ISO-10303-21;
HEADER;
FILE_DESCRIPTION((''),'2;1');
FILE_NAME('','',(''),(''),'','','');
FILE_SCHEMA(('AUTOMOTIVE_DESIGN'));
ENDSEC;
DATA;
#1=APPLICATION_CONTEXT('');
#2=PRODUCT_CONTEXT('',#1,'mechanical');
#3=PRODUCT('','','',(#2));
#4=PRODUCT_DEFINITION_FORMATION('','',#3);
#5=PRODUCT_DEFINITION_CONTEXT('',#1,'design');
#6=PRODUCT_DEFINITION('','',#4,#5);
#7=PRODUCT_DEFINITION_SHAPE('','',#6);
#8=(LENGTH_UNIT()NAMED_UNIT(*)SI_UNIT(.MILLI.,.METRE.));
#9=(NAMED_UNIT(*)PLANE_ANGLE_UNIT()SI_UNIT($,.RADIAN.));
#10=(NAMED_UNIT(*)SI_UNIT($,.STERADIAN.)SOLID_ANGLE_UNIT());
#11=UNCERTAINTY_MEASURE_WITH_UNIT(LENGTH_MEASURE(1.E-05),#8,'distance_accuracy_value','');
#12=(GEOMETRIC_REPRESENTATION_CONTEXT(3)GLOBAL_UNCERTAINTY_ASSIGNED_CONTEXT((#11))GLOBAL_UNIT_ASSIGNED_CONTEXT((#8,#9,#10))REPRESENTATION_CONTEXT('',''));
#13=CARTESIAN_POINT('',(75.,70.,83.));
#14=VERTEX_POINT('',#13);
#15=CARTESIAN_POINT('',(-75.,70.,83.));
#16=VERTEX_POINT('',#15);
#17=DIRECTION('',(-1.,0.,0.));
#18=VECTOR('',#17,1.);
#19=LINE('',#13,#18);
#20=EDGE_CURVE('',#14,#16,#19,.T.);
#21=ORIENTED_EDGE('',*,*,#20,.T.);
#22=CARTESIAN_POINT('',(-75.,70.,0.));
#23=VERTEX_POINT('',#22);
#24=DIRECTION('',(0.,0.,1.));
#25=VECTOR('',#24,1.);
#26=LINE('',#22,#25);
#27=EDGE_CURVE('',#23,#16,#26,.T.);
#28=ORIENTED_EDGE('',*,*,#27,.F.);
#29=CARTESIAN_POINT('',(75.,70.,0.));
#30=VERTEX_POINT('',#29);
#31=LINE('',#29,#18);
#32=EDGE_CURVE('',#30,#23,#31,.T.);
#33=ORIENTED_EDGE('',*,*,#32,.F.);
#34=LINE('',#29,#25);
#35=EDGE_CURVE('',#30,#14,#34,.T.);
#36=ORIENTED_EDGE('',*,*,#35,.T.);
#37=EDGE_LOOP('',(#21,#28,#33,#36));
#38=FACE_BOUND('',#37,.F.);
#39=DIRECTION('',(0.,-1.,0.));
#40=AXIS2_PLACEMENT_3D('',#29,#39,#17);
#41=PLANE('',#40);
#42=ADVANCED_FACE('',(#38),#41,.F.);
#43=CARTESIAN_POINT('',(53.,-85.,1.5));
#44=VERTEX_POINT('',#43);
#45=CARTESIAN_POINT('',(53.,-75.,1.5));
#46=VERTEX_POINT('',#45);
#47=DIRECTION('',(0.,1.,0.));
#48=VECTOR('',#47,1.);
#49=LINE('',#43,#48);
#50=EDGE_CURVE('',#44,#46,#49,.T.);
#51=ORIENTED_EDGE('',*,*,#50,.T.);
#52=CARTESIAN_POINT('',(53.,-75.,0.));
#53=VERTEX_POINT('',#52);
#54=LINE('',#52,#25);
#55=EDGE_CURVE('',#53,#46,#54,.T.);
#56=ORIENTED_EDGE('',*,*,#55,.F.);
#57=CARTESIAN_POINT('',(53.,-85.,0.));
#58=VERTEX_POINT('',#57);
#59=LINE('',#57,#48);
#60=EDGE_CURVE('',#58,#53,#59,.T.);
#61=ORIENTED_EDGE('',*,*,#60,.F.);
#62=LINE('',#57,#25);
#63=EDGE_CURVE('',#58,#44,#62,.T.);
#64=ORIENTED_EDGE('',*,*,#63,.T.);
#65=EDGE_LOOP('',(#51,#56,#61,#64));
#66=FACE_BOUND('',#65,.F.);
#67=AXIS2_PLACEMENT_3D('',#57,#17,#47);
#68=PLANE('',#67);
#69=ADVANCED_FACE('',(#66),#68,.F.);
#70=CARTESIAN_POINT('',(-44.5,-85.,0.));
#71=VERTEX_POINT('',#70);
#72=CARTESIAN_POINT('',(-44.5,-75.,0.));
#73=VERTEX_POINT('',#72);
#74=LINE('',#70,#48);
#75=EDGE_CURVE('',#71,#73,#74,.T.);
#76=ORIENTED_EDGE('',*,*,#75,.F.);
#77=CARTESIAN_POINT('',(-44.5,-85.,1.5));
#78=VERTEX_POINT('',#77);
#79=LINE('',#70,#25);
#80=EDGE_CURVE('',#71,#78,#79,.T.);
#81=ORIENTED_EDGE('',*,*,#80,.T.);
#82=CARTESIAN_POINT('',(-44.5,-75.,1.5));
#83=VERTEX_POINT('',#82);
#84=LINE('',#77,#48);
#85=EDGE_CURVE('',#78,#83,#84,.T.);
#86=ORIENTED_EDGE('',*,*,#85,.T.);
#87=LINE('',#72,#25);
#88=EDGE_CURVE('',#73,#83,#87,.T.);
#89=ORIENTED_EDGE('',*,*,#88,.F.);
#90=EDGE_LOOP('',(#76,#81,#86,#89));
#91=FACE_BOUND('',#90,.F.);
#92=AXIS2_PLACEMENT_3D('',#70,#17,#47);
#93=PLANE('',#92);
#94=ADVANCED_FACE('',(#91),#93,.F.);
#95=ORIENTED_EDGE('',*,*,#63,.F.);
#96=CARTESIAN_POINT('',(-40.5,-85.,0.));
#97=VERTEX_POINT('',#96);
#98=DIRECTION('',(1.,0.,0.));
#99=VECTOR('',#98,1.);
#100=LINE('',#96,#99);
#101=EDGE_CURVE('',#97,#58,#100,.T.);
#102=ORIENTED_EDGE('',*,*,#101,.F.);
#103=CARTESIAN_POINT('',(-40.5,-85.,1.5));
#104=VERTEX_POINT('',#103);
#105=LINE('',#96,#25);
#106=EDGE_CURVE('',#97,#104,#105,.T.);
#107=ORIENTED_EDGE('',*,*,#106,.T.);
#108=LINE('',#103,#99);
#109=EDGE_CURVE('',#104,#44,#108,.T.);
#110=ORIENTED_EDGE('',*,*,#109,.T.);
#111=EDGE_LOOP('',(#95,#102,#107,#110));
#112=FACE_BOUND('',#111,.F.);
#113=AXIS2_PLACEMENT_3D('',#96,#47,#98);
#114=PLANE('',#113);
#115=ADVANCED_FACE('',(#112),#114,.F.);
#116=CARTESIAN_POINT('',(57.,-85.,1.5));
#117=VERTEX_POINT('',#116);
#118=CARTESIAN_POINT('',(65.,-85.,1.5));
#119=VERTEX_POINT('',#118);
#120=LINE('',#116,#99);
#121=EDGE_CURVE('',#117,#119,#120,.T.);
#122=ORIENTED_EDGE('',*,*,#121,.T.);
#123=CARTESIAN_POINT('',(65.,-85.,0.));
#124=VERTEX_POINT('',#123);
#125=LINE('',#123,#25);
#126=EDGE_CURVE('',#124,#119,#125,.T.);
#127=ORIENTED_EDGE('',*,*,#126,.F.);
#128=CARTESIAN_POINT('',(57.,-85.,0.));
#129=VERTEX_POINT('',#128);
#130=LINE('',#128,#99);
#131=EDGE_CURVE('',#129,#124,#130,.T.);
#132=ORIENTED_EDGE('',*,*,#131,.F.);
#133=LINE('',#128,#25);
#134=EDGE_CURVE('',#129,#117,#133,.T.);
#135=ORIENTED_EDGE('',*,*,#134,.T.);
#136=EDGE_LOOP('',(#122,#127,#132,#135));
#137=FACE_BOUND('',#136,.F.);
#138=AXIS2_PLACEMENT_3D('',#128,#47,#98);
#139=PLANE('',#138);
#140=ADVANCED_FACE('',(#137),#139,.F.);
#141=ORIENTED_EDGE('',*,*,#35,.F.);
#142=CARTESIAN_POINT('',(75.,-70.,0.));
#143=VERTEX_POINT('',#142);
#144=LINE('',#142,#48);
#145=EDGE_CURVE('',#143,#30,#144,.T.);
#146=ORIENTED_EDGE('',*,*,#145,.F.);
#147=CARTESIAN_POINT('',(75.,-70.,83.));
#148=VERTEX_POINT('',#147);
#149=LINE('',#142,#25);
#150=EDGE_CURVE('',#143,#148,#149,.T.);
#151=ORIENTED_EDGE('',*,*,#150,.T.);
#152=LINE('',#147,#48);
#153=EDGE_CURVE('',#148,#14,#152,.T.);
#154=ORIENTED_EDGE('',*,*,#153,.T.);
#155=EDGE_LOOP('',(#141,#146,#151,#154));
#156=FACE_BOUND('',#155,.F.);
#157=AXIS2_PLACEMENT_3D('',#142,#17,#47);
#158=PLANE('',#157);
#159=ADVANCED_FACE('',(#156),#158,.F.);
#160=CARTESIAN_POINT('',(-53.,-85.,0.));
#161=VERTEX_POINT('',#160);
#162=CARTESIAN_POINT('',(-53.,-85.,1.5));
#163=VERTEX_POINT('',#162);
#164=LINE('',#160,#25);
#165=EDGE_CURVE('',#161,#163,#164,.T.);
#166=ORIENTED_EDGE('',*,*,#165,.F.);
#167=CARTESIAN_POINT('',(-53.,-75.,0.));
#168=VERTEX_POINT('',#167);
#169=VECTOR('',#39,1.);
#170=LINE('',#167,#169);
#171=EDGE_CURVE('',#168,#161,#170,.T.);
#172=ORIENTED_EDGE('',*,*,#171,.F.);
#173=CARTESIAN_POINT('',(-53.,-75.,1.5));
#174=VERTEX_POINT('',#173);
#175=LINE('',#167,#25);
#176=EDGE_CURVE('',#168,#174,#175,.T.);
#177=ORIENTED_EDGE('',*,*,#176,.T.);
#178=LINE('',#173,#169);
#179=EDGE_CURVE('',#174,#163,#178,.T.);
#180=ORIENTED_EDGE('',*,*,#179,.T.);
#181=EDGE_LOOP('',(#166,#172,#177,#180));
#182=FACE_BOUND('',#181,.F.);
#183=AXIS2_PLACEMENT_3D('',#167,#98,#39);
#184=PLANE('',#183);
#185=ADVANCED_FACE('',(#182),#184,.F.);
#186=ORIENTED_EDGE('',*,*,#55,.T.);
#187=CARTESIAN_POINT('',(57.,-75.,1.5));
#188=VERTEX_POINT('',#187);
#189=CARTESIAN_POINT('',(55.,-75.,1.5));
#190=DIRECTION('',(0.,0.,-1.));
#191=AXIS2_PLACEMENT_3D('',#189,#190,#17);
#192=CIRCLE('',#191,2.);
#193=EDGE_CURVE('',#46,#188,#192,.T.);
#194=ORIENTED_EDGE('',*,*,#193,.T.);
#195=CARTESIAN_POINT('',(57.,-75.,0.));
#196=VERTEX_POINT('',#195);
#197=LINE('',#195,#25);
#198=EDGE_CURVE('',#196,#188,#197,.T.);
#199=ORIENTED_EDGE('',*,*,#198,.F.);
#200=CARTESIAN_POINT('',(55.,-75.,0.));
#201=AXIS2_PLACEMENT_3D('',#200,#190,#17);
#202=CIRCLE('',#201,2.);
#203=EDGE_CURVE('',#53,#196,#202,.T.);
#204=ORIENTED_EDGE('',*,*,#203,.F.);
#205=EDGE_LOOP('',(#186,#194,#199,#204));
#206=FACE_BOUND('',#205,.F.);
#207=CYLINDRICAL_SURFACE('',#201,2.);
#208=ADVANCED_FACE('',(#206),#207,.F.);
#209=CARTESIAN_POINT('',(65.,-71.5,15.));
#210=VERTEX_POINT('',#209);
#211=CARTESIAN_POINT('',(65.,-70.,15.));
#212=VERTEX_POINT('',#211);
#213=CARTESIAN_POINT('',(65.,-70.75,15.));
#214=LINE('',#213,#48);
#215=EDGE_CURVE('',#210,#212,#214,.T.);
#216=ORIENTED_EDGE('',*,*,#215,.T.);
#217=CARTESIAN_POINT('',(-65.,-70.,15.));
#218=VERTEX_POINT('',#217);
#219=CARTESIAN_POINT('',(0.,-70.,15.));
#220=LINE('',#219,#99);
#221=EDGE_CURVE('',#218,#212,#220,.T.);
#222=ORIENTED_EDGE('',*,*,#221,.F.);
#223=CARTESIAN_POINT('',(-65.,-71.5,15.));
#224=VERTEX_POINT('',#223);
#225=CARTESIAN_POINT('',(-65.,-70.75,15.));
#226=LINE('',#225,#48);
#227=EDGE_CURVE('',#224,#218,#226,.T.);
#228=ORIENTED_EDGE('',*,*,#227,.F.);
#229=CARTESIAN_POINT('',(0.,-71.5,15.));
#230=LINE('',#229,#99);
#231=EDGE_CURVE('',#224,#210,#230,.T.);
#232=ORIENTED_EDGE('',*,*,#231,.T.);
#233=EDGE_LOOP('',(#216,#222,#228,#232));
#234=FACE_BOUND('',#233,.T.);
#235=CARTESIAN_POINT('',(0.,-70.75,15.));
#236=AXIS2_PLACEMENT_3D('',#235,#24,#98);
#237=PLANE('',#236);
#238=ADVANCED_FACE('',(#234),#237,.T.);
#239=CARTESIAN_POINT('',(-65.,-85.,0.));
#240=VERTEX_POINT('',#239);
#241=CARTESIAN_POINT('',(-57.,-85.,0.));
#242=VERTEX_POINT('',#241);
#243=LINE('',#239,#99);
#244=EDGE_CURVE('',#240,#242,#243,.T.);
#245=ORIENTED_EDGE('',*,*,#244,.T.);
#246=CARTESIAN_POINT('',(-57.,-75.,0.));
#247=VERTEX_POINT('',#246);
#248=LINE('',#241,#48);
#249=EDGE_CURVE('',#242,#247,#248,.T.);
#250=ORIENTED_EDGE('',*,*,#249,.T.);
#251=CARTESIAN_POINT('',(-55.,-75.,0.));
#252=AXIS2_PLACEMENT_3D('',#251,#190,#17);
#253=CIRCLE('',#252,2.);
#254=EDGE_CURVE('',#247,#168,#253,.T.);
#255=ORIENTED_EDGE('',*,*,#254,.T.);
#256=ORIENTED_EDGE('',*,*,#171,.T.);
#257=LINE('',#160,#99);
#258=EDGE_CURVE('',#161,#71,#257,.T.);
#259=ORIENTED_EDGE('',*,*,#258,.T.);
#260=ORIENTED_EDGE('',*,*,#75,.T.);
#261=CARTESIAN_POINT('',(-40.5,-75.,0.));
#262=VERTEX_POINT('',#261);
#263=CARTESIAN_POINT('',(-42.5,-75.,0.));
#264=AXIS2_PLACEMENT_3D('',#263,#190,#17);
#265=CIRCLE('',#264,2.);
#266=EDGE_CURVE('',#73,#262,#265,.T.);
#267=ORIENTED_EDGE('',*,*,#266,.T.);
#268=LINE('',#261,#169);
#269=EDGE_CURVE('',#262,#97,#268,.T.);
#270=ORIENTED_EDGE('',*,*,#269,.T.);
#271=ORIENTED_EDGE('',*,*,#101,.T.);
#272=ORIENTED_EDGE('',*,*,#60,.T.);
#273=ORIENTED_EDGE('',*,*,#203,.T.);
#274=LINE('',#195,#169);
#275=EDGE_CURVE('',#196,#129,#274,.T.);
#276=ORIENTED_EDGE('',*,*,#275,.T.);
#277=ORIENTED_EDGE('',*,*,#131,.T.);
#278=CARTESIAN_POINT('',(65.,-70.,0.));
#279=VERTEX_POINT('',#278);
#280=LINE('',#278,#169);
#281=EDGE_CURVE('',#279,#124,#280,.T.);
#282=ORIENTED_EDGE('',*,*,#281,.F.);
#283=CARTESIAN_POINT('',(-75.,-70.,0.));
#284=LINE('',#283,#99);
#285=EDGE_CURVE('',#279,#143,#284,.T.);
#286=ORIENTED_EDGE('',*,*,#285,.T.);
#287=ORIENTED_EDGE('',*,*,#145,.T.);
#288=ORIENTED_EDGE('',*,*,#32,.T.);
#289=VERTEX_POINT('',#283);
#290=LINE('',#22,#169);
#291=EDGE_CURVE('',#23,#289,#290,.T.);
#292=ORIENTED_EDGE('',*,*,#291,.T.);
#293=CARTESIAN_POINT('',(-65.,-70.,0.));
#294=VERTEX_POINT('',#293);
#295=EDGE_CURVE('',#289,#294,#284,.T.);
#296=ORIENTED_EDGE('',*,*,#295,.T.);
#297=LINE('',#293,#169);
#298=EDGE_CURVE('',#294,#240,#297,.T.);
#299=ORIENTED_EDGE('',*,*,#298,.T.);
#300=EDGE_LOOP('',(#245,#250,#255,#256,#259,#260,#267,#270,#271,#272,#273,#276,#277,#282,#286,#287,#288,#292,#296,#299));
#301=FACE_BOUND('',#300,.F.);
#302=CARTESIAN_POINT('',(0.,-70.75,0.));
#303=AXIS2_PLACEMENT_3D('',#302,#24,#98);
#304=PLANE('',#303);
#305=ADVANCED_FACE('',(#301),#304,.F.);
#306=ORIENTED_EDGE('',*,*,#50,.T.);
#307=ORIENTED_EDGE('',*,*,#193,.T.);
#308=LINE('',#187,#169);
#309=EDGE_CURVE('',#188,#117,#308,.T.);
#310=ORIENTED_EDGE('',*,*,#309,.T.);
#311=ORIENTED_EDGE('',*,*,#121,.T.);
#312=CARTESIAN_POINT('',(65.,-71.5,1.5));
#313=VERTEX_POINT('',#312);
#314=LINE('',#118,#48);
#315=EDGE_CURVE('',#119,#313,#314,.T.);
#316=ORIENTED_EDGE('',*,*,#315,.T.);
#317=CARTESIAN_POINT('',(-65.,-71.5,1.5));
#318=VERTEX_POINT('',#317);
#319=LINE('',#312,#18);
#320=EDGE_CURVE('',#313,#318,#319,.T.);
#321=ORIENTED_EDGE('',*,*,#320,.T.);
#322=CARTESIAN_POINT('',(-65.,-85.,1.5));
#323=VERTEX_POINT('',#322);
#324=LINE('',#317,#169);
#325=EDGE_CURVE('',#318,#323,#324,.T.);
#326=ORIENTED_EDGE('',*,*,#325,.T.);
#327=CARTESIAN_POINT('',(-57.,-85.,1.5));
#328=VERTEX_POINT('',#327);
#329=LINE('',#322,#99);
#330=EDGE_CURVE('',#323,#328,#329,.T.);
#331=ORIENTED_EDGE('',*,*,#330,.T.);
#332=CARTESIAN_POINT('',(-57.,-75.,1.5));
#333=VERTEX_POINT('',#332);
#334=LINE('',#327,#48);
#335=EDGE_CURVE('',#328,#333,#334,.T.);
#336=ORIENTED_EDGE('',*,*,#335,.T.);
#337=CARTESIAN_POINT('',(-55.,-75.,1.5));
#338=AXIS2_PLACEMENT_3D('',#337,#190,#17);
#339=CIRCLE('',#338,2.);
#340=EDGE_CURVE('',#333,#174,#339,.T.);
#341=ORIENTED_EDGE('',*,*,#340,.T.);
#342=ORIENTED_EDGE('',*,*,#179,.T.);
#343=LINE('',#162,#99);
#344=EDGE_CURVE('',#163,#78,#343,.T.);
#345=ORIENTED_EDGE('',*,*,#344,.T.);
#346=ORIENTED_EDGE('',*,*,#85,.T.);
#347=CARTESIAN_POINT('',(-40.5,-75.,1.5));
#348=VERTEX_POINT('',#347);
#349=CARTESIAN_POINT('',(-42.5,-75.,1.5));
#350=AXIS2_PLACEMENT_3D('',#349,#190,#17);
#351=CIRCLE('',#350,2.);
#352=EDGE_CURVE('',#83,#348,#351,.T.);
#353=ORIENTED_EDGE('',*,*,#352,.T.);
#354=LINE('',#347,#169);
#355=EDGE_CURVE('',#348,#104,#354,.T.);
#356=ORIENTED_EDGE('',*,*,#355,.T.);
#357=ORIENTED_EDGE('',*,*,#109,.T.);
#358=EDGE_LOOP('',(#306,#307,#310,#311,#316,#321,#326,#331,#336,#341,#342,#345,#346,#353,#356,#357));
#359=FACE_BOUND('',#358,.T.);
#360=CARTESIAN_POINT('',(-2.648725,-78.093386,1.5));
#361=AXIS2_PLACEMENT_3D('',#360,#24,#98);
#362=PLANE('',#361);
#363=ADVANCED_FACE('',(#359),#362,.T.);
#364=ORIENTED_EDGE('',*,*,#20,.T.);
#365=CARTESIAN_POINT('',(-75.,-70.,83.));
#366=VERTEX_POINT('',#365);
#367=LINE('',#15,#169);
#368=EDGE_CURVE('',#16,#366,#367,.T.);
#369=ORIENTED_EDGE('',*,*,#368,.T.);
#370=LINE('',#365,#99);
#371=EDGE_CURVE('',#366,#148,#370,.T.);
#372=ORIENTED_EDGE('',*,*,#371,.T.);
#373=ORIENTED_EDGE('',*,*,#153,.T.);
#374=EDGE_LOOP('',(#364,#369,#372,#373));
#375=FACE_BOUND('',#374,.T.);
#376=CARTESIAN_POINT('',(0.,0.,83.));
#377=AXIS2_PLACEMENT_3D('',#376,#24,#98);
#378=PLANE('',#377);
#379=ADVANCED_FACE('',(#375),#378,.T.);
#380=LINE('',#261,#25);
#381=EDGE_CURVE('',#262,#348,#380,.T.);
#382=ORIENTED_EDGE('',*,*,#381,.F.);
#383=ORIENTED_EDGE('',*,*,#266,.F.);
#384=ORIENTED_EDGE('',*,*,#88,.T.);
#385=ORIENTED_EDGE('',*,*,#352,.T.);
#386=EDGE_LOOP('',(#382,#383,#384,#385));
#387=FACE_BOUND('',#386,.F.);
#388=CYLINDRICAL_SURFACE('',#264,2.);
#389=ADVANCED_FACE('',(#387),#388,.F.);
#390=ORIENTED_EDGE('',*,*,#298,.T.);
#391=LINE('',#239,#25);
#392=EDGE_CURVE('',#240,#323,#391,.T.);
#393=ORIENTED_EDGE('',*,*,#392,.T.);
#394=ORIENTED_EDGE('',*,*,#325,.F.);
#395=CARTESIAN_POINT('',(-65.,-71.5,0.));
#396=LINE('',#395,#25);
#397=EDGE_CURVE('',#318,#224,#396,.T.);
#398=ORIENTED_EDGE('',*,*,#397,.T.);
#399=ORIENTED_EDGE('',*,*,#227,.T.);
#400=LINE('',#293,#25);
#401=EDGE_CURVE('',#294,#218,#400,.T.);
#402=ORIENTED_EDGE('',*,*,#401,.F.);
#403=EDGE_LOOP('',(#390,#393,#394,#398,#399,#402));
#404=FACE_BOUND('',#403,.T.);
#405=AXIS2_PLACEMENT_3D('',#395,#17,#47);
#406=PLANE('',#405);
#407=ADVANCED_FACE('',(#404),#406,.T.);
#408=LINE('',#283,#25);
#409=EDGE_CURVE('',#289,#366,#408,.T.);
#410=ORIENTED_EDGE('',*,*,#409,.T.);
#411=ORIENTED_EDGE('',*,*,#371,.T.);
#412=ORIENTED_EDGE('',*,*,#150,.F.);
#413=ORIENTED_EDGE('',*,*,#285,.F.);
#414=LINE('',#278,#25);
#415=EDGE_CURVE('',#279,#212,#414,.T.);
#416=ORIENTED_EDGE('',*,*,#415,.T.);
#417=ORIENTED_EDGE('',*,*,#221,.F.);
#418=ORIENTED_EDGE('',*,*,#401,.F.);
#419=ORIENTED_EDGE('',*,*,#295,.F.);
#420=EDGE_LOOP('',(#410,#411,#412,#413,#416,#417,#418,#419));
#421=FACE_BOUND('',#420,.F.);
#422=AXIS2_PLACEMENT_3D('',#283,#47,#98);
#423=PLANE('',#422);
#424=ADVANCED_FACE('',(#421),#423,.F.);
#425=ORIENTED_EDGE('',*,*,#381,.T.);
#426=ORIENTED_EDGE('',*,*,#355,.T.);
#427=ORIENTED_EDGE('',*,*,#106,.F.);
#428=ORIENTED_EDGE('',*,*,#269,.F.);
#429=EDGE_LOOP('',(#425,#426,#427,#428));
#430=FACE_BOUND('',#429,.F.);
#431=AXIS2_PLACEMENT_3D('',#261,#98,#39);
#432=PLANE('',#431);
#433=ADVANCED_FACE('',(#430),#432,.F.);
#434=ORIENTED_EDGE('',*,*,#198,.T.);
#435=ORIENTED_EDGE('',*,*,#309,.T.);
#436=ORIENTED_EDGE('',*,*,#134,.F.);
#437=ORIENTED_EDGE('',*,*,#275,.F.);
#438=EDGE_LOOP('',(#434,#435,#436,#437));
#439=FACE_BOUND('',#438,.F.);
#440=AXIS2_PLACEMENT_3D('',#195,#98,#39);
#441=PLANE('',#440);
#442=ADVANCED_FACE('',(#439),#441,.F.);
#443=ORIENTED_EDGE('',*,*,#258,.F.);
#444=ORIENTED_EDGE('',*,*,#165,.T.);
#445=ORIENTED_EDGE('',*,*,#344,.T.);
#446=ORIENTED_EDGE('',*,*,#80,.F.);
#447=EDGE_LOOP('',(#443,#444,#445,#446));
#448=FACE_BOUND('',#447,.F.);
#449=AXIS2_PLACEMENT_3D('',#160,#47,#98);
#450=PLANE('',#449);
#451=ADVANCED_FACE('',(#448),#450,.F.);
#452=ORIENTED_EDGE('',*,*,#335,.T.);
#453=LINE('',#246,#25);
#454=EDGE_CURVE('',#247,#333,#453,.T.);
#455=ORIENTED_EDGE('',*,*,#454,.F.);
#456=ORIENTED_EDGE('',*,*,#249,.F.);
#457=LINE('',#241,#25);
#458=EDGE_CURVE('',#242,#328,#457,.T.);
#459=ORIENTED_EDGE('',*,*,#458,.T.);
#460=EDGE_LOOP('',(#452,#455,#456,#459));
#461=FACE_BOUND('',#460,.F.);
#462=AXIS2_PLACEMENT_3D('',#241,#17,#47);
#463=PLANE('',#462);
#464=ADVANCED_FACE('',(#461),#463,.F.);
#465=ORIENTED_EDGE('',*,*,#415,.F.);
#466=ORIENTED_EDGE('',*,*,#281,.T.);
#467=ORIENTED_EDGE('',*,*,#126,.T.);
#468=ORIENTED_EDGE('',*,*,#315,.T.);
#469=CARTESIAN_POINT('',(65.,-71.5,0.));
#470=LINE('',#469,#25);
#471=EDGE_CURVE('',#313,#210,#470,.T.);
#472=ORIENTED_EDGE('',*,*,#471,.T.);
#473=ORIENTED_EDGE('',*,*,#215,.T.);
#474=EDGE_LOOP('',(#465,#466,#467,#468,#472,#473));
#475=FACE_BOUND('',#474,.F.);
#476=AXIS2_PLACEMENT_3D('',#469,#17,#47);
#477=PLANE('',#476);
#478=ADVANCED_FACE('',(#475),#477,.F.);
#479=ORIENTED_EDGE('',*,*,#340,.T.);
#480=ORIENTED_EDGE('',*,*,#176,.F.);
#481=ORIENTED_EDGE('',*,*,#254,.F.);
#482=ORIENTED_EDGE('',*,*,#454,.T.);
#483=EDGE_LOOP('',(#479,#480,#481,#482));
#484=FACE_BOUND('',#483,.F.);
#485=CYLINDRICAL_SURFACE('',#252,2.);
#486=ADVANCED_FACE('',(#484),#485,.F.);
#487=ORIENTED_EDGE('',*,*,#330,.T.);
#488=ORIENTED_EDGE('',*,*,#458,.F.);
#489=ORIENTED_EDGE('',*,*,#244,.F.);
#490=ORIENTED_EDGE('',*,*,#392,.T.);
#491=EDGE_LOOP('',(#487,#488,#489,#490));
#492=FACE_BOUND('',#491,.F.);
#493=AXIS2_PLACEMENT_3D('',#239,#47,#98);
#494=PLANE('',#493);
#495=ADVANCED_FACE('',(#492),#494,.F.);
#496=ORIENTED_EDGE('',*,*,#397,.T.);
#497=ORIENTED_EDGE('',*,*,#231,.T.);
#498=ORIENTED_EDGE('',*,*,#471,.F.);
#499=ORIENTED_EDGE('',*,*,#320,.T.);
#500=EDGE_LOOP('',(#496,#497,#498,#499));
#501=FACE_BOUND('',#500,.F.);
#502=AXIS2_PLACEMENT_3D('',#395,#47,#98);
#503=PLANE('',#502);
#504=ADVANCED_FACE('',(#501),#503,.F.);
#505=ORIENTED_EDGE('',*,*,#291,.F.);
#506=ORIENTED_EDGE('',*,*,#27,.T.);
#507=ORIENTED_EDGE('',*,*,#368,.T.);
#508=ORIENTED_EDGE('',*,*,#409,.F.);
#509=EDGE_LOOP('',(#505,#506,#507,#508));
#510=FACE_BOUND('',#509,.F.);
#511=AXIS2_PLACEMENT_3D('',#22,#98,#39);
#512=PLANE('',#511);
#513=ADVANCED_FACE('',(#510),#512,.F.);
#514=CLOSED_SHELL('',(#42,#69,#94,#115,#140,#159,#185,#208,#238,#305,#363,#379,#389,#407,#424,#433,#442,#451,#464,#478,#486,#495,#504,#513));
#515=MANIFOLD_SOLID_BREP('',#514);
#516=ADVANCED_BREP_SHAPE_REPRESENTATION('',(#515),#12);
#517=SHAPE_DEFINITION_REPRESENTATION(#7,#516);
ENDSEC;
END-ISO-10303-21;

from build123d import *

# Parameters (mm, degrees)
F1_DEPTH = 83
F2_DEPTH = 1.5
F0_W     = 130
F0_H     = 1.5
F3_DEPTH = 15


with BuildPart() as f1:
    # F0 (on Top) → F1 (new body)
    with BuildSketch(Plane.XY):
        Polygon((75, -70), (75, 70), (-75, 70), (-75, -70), (-65, -70), (65, -70), align=None)
    extrude(amount=F1_DEPTH)



with BuildPart() as f2:
    # F0 (on Top) → F2 (new body)
    with BuildSketch(Plane.XY):
        with BuildLine():
            Line((65, -85), (65, -71.5))
            Line((65, -71.5), (-65, -71.5))
            Line((-65, -71.5), (-65, -85))
            Line((-65, -85), (-57, -85))
            Line((-57, -85), (-57, -75))
            ThreePointArc((-57, -75), (-55, -73), (-53, -75))
            Line((-53, -75), (-53, -85))
            Line((-53, -85), (-44.5, -85))
            Line((-44.5, -85), (-44.5, -75))
            ThreePointArc((-44.5, -75), (-42.5, -73), (-40.5, -75))
            Line((-40.5, -75), (-40.5, -85))
            Line((-40.5, -85), (53, -85))
            Line((53, -85), (53, -75))
            ThreePointArc((53, -75), (55, -73), (57, -75))
            Line((57, -75), (57, -85))
            Line((57, -85), (65, -85))
        make_face()
    extrude(amount=F2_DEPTH)


with BuildPart() as f1_1:
    add(f1.part)

    add(f2.part)  # F3 merges F2
    # F0 (on Top) → F3 (join)
    with BuildSketch(Plane.XY):
        with Locations((0, -70.75)):
            Rectangle(F0_W, F0_H)
    extrude(amount=F3_DEPTH)


solid = f1_1.part
